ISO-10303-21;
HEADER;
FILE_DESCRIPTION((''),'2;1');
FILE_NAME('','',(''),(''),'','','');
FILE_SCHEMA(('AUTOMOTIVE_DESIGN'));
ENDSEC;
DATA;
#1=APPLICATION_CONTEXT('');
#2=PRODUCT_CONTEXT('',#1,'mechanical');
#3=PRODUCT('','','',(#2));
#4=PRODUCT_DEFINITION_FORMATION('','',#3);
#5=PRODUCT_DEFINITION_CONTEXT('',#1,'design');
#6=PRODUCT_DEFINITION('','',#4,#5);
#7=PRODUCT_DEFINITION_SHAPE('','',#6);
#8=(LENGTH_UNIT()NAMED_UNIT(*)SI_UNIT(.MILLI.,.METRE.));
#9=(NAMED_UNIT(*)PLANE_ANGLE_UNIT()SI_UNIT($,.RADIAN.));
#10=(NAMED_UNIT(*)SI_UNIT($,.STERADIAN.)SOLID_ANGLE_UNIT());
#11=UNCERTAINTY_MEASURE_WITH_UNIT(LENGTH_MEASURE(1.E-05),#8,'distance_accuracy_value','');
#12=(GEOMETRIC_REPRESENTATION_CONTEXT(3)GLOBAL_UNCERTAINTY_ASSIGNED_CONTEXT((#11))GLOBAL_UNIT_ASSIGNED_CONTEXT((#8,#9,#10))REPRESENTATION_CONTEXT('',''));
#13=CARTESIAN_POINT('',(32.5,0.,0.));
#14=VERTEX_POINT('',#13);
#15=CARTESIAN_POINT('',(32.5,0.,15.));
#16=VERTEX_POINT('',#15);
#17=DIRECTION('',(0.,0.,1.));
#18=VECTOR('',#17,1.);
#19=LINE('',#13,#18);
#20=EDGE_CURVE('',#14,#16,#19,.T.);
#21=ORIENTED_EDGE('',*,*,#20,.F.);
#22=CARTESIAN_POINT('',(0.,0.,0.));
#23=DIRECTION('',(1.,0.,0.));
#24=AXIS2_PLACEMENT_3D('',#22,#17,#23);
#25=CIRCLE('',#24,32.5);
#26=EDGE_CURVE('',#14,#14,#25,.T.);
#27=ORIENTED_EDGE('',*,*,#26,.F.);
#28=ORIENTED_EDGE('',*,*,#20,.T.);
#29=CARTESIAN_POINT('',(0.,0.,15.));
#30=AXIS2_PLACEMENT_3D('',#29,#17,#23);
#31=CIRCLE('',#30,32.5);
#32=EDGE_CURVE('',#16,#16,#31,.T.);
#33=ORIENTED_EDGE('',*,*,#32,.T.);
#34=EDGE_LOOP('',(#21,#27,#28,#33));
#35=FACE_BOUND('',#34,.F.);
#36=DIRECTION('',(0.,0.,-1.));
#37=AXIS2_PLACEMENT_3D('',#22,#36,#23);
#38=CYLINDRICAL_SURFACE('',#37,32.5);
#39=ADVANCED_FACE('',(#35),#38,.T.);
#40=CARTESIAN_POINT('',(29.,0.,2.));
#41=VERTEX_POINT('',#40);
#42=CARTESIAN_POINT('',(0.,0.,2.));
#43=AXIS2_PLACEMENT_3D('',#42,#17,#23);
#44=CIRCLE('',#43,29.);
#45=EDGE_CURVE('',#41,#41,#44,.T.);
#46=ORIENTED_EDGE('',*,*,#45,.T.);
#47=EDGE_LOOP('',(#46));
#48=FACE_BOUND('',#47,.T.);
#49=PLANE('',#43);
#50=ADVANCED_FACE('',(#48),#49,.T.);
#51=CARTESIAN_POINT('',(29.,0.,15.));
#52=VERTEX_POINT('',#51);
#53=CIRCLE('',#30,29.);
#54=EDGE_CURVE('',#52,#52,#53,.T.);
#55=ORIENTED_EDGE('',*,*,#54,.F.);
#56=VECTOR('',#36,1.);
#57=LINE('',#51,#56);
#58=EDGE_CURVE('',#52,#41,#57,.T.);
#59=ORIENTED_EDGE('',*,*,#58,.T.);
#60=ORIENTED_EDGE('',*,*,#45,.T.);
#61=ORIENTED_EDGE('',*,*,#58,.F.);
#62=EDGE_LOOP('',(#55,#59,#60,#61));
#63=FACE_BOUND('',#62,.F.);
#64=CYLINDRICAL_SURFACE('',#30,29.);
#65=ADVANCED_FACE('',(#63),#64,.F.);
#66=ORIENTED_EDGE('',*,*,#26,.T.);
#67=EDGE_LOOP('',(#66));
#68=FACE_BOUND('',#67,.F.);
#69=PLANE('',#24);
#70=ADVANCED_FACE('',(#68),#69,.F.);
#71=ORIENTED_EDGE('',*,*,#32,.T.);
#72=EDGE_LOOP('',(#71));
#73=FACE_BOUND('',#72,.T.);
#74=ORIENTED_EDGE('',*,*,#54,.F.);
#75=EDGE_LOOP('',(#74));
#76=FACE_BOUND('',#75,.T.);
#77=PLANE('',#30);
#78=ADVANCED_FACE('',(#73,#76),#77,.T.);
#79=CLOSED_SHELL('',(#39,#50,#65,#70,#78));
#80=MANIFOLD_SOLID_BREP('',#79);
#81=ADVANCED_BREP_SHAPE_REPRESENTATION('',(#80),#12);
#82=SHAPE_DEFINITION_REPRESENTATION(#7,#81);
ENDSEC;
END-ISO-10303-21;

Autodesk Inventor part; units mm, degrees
ref_plane "YZ Plane" through (0, 0, 0) normal (1, 0, 0) x (0, 1, 0)
ref_plane "XZ Plane" through (0, 0, 0) normal (0, 1, 0) x (-1, 0, 0)
ref_plane "XY Plane" through (0, 0, 0) normal (0, 0, 1) x (1, 0, 0)
sketch "Sketch1" plane through (0, 0, 0) normal (0, 0, 1) x (1, 0, 0)
  circle A0 centre (0, 0) radius 32.5
  dimension "d0" = 65
extrude "Extrusion1" add sketch "Sketch1" along normal blind 15
sketch "Sketch2" plane through (0, 0, 15) normal (0, 0, 1) x (1, 0, 0)
  circle A0 centre (0, 0) radius 29
  dimension "d3" = 58
extrude "Extrusion2" cut sketch "Sketch2" against normal blind 13
equation "\"BendRadius\" = Thickness"
equation "\"BendReliefWidth\" = Thickness"
equation "\"BendReliefDepth\" = 0.5 * Thickness"
equation "\"CornerReliefSize\" = 4 * Thickness"
equation "\"MinimumRemnant\" = 2 * Thickness"
equation "\"TransitionRadius\" = BendRadius"
equation "\"JacobiRadiusSize\" = BendRadius"
equation "\"GapSize\" = Thickness"
equation "\"Thickness\" = 0.5"
properties part number "circular_mold"
